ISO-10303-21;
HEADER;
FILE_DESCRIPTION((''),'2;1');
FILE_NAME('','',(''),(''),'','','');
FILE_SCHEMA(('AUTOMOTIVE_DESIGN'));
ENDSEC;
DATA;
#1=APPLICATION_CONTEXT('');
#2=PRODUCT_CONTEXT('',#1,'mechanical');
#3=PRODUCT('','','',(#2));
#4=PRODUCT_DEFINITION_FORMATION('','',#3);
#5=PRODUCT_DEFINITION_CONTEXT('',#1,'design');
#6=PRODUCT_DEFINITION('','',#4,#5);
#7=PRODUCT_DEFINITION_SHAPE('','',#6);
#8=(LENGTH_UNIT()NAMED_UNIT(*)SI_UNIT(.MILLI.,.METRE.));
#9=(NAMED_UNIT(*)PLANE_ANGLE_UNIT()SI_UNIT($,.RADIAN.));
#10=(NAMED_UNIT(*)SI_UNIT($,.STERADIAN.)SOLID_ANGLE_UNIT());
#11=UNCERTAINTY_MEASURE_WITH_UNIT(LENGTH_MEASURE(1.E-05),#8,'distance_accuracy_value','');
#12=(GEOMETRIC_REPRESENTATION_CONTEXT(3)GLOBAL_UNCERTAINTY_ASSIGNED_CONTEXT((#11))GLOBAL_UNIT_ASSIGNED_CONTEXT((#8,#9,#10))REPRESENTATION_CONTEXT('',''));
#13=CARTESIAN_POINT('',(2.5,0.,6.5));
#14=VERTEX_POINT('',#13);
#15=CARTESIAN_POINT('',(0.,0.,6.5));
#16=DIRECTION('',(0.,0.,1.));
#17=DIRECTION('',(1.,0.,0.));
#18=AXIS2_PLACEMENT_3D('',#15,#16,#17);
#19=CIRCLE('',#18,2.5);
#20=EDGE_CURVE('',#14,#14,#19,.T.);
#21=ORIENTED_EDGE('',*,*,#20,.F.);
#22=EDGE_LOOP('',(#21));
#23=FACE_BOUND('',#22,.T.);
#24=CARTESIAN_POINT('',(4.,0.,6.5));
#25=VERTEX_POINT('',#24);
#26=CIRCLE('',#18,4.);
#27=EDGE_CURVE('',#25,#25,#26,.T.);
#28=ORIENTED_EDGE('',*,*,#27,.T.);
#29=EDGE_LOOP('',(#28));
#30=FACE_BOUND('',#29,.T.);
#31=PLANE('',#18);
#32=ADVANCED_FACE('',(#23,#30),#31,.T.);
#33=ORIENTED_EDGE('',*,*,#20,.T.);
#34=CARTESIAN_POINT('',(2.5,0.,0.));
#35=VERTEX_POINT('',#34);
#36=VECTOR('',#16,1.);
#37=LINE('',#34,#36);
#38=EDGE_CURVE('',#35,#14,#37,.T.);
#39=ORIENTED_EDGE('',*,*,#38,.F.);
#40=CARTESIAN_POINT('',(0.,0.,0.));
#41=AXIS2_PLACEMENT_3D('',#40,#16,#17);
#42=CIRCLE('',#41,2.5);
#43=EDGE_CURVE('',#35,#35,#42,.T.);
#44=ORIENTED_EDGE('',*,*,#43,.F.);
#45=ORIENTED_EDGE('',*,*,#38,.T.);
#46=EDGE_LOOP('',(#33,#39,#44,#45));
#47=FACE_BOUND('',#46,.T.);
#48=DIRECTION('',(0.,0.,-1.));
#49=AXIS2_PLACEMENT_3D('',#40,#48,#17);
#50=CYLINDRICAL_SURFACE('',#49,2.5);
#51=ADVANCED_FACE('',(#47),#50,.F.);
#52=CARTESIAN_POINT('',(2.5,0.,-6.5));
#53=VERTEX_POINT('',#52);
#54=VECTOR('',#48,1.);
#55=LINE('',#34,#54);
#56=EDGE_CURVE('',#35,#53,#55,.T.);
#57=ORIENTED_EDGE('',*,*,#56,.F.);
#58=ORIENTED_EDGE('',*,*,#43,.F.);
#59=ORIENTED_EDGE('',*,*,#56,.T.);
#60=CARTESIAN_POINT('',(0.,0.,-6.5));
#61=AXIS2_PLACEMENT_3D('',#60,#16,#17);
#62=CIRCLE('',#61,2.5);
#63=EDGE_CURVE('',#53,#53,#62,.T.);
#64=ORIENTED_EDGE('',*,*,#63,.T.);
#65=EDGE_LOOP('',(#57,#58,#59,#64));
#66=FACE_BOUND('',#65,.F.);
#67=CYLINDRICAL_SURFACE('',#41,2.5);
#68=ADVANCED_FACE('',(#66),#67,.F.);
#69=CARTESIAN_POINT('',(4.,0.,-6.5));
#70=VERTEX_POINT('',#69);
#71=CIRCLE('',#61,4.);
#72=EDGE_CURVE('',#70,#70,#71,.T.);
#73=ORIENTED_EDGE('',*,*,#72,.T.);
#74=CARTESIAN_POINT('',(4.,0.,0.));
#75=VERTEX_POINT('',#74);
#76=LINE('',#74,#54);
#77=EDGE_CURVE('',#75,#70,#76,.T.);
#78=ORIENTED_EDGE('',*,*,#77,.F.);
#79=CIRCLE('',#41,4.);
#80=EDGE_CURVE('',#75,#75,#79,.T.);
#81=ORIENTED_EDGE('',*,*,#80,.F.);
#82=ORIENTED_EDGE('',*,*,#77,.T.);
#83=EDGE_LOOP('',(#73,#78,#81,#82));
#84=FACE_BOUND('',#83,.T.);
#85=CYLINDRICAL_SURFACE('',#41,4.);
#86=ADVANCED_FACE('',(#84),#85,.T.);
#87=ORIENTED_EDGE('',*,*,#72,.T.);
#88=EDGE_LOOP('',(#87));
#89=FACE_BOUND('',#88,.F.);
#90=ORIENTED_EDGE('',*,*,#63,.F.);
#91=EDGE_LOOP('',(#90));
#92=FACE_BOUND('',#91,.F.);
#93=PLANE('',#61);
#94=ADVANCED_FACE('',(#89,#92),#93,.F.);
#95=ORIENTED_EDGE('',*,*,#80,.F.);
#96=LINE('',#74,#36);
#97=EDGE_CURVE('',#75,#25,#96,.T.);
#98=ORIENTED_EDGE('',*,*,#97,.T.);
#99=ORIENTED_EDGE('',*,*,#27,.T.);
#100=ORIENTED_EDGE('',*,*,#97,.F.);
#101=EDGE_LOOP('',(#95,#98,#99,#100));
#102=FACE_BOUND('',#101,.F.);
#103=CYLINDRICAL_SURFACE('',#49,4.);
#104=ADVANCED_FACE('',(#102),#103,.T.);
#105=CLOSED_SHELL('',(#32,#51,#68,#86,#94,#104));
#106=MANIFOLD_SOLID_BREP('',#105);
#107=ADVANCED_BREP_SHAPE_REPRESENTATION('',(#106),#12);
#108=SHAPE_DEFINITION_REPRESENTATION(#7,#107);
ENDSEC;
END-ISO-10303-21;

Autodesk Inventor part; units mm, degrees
ref_plane "YZ Plane" through (0, 0, 0) normal (1, 0, 0) x (0, 1, 0)
ref_plane "XZ Plane" through (0, 0, 0) normal (0, 1, 0) x (-1, 0, 0)
ref_plane "XY Plane" through (0, 0, 0) normal (0, 0, 1) x (1, 0, 0)
sketch "Boceto1" plane through (0, 0, 0) normal (0, 0, 1) x (1, 0, 0)
  circle A0 centre (0, 0) radius 4
  circle A1 centre (0, 0) radius 2.5
  dimension "d0" = 8
  dimension "d1" = 5
extrude "Extrusión1" add sketch "Boceto1" along normal mid plane 13
properties part number "PasadorExpansion"
